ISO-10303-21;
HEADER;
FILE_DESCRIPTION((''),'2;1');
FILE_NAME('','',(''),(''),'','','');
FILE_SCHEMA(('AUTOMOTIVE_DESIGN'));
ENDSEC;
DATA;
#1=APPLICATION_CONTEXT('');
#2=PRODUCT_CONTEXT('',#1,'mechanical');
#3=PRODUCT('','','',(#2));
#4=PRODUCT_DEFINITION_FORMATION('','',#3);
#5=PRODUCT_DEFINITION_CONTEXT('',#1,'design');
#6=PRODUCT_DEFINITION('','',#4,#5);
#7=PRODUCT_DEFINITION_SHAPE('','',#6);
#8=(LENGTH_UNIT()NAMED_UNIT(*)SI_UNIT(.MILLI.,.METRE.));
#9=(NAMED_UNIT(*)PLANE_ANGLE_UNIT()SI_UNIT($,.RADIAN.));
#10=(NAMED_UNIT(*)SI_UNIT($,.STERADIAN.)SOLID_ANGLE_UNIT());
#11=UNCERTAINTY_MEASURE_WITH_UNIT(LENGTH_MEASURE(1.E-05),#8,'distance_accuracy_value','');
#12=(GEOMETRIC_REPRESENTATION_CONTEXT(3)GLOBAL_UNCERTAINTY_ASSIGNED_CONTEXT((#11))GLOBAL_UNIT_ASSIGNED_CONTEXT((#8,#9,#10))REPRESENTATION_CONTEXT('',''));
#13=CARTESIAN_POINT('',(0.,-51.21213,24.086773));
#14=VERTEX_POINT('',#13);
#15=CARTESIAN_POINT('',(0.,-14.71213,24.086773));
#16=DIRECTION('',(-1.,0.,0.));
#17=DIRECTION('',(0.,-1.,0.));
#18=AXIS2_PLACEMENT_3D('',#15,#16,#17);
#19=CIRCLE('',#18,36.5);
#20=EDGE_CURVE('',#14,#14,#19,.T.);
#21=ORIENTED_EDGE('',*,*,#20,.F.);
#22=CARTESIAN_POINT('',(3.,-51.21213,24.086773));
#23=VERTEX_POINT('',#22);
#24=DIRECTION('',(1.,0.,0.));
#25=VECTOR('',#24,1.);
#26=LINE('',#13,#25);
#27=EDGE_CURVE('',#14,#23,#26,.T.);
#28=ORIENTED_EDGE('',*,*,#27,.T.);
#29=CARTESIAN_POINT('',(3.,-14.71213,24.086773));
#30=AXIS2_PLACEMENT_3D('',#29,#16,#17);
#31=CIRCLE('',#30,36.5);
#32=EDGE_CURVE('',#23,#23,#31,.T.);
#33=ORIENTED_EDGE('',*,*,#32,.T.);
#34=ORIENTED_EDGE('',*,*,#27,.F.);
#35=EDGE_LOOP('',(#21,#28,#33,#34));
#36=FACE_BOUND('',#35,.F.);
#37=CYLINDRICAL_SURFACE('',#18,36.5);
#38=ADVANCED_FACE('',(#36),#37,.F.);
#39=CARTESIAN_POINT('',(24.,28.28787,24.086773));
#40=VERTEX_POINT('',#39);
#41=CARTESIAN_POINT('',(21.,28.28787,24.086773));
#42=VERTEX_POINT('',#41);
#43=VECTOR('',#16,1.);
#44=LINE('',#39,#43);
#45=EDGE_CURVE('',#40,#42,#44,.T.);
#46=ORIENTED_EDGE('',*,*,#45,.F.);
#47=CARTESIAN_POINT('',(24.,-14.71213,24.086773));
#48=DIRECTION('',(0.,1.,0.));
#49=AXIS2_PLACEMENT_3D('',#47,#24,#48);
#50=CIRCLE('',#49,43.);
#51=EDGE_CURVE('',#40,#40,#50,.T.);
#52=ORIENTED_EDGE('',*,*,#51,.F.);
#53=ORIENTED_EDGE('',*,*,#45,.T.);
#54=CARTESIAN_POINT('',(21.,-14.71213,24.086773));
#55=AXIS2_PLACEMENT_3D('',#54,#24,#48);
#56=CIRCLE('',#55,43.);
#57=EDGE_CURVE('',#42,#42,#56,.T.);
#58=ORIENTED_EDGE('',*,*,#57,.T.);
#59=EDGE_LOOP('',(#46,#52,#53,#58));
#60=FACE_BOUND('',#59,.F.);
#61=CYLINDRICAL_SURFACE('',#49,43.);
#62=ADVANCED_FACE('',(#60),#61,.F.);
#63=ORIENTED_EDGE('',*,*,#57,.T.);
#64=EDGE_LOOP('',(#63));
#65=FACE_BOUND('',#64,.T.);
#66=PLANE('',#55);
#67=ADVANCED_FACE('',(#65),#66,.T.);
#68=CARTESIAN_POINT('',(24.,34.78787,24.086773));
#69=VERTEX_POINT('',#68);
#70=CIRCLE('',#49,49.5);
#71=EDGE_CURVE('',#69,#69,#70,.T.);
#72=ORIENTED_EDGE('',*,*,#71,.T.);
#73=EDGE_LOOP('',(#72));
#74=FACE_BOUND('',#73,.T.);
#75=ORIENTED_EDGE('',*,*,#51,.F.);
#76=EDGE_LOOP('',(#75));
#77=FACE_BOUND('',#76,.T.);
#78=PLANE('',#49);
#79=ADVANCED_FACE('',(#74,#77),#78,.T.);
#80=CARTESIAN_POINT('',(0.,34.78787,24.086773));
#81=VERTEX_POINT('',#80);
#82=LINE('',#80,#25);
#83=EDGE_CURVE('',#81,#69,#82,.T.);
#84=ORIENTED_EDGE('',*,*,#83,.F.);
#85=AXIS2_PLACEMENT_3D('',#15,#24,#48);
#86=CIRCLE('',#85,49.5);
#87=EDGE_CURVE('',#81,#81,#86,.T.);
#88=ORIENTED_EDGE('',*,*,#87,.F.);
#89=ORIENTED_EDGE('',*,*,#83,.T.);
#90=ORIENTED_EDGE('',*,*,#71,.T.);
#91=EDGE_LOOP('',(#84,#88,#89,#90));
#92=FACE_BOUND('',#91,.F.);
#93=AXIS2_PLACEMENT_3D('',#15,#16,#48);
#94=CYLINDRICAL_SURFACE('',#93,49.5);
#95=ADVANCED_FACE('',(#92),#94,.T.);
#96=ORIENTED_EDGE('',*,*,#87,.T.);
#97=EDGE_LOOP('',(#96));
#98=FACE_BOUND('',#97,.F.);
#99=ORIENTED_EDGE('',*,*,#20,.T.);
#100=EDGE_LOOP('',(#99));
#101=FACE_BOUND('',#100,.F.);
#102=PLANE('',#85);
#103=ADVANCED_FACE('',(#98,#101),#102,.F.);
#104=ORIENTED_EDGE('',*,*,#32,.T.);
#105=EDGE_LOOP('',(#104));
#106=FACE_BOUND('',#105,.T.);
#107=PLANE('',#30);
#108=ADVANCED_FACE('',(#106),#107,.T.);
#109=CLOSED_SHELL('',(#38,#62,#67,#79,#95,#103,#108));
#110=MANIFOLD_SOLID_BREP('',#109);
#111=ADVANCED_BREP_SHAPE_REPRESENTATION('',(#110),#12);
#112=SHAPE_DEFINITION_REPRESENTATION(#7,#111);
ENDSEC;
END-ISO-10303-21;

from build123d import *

# Parameters (mm, degrees)
F0_R     = 49.5
F1_DEPTH = 24
F2_R     = 43
F3_DEPTH = 3
F4_R     = 36.5
F5_DEPTH = 3


with BuildPart() as f1:
    # F0 (on Right) → F1 (new body)
    with BuildSketch(Plane.YZ):
        with Locations((-14.71213, 24.086773)):
            Circle(F0_R)
    extrude(amount=F1_DEPTH)

    # F2 (on face) → F3 (cut)
    with BuildSketch(Plane.YZ.offset(24)):
        with Locations((-14.71213, 24.086773)):
            Circle(F2_R)
    extrude(amount=-F3_DEPTH, mode=Mode.SUBTRACT)

    # F4 (on face) → F5 (cut)
    with BuildSketch(Plane(origin=(0, 0, 0), x_dir=(0, -1, 0), z_dir=(-1, 0, 0))):
        with Locations((14.71213, 24.086773)):
            Circle(F4_R)
    extrude(amount=-F5_DEPTH, mode=Mode.SUBTRACT)


solid = f1.part
